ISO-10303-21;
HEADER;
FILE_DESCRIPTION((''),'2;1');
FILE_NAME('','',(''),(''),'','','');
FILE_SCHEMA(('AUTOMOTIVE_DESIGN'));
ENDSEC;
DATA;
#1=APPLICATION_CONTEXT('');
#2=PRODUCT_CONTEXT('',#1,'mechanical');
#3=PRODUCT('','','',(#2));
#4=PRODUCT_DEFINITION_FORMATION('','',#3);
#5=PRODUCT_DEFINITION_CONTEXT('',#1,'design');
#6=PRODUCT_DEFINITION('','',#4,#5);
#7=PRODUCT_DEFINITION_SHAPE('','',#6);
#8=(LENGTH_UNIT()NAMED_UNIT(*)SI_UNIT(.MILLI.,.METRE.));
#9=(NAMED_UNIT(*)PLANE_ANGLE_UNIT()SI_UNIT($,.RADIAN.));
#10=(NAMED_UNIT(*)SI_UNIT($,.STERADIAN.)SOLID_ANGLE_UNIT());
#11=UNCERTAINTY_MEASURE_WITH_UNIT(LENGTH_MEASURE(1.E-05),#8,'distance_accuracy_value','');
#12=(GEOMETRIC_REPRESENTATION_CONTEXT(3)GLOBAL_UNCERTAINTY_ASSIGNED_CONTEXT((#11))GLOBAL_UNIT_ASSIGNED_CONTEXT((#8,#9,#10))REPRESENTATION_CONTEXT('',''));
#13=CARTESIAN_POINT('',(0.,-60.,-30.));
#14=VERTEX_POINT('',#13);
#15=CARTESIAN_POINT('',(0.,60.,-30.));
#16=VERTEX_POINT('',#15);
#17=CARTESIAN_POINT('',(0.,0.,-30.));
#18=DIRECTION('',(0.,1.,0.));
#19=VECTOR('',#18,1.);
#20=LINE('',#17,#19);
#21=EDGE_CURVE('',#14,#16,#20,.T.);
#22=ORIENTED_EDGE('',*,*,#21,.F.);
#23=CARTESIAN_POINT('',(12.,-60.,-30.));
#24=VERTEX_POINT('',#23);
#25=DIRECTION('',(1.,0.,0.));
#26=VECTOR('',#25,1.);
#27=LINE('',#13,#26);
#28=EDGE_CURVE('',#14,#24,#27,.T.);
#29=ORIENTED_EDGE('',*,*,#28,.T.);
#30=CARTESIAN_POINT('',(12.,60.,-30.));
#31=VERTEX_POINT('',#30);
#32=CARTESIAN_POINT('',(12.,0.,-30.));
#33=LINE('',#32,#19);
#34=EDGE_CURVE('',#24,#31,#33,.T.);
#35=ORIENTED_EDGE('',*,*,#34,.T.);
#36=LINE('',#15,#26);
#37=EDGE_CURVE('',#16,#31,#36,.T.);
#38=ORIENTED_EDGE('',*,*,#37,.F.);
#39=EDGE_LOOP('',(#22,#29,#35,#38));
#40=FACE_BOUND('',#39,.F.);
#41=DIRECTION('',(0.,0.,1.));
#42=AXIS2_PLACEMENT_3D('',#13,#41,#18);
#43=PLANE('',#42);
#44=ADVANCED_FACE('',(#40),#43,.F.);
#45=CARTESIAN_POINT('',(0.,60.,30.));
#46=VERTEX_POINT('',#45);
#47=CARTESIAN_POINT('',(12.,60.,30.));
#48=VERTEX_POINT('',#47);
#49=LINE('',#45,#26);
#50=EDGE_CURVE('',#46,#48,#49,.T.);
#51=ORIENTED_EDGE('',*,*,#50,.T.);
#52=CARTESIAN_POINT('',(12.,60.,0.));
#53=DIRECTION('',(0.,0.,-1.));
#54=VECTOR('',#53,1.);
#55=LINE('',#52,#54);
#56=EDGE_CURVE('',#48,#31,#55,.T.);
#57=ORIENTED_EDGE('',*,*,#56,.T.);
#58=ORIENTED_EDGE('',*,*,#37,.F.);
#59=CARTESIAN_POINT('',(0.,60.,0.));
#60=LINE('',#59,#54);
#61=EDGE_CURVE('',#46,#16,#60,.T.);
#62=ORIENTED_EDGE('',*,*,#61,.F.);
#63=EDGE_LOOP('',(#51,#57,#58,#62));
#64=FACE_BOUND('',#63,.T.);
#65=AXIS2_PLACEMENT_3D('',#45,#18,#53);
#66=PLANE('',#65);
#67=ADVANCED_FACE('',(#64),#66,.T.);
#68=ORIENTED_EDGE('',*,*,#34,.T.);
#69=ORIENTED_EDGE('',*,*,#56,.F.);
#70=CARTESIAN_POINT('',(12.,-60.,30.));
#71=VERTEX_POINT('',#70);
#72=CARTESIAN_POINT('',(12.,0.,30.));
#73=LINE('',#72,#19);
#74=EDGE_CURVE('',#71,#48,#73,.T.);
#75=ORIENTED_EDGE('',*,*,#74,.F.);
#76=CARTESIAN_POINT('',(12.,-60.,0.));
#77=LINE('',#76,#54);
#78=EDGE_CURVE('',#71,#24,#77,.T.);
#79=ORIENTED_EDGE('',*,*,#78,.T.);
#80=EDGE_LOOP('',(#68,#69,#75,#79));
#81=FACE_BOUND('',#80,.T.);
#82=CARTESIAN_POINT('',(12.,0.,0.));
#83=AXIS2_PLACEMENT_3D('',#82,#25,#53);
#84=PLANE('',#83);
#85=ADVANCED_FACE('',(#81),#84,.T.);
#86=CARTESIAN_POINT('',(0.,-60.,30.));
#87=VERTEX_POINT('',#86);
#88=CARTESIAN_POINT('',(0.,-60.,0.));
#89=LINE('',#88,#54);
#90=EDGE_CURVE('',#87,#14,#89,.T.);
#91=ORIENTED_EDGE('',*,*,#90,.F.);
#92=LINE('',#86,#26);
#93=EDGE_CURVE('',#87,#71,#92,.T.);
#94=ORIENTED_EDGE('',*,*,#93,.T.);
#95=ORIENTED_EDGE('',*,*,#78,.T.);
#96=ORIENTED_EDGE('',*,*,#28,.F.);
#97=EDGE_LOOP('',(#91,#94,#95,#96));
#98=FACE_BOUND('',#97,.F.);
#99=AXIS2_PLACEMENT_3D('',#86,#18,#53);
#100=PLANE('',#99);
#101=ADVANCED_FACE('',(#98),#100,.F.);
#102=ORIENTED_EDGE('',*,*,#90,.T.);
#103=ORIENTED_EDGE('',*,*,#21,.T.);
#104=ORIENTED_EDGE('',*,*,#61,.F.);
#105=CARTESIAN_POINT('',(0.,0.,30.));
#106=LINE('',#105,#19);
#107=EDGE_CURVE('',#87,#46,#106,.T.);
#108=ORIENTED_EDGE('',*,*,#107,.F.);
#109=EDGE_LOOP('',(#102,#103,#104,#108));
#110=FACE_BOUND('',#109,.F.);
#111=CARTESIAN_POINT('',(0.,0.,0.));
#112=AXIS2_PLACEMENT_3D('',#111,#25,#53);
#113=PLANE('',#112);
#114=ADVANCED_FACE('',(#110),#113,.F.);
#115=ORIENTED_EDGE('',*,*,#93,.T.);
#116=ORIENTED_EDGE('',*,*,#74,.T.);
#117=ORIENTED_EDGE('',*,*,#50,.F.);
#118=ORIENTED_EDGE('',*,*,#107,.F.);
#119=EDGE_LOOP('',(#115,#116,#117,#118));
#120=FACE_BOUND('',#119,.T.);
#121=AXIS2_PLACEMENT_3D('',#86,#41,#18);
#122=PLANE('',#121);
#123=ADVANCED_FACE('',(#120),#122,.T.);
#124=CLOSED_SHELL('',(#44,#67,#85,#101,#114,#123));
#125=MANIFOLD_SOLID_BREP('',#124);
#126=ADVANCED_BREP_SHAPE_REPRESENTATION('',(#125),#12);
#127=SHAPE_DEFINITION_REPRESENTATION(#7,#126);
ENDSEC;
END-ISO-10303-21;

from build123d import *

# Parameters (mm, degrees)
CROQUIS1_W              = 60
CROQUIS1_H              = 120
SALIENTE_EXTRUIR1_DEPTH = 12


with BuildPart() as part:
    # Croquis1 → Saliente-Extruir1 (new body)
    with BuildSketch(Plane(origin=(0, 0, 0), x_dir=(0, 0, -1), z_dir=(1, 0, 0))):
        Rectangle(CROQUIS1_W, CROQUIS1_H)
    extrude(amount=SALIENTE_EXTRUIR1_DEPTH)


solid = part.part
